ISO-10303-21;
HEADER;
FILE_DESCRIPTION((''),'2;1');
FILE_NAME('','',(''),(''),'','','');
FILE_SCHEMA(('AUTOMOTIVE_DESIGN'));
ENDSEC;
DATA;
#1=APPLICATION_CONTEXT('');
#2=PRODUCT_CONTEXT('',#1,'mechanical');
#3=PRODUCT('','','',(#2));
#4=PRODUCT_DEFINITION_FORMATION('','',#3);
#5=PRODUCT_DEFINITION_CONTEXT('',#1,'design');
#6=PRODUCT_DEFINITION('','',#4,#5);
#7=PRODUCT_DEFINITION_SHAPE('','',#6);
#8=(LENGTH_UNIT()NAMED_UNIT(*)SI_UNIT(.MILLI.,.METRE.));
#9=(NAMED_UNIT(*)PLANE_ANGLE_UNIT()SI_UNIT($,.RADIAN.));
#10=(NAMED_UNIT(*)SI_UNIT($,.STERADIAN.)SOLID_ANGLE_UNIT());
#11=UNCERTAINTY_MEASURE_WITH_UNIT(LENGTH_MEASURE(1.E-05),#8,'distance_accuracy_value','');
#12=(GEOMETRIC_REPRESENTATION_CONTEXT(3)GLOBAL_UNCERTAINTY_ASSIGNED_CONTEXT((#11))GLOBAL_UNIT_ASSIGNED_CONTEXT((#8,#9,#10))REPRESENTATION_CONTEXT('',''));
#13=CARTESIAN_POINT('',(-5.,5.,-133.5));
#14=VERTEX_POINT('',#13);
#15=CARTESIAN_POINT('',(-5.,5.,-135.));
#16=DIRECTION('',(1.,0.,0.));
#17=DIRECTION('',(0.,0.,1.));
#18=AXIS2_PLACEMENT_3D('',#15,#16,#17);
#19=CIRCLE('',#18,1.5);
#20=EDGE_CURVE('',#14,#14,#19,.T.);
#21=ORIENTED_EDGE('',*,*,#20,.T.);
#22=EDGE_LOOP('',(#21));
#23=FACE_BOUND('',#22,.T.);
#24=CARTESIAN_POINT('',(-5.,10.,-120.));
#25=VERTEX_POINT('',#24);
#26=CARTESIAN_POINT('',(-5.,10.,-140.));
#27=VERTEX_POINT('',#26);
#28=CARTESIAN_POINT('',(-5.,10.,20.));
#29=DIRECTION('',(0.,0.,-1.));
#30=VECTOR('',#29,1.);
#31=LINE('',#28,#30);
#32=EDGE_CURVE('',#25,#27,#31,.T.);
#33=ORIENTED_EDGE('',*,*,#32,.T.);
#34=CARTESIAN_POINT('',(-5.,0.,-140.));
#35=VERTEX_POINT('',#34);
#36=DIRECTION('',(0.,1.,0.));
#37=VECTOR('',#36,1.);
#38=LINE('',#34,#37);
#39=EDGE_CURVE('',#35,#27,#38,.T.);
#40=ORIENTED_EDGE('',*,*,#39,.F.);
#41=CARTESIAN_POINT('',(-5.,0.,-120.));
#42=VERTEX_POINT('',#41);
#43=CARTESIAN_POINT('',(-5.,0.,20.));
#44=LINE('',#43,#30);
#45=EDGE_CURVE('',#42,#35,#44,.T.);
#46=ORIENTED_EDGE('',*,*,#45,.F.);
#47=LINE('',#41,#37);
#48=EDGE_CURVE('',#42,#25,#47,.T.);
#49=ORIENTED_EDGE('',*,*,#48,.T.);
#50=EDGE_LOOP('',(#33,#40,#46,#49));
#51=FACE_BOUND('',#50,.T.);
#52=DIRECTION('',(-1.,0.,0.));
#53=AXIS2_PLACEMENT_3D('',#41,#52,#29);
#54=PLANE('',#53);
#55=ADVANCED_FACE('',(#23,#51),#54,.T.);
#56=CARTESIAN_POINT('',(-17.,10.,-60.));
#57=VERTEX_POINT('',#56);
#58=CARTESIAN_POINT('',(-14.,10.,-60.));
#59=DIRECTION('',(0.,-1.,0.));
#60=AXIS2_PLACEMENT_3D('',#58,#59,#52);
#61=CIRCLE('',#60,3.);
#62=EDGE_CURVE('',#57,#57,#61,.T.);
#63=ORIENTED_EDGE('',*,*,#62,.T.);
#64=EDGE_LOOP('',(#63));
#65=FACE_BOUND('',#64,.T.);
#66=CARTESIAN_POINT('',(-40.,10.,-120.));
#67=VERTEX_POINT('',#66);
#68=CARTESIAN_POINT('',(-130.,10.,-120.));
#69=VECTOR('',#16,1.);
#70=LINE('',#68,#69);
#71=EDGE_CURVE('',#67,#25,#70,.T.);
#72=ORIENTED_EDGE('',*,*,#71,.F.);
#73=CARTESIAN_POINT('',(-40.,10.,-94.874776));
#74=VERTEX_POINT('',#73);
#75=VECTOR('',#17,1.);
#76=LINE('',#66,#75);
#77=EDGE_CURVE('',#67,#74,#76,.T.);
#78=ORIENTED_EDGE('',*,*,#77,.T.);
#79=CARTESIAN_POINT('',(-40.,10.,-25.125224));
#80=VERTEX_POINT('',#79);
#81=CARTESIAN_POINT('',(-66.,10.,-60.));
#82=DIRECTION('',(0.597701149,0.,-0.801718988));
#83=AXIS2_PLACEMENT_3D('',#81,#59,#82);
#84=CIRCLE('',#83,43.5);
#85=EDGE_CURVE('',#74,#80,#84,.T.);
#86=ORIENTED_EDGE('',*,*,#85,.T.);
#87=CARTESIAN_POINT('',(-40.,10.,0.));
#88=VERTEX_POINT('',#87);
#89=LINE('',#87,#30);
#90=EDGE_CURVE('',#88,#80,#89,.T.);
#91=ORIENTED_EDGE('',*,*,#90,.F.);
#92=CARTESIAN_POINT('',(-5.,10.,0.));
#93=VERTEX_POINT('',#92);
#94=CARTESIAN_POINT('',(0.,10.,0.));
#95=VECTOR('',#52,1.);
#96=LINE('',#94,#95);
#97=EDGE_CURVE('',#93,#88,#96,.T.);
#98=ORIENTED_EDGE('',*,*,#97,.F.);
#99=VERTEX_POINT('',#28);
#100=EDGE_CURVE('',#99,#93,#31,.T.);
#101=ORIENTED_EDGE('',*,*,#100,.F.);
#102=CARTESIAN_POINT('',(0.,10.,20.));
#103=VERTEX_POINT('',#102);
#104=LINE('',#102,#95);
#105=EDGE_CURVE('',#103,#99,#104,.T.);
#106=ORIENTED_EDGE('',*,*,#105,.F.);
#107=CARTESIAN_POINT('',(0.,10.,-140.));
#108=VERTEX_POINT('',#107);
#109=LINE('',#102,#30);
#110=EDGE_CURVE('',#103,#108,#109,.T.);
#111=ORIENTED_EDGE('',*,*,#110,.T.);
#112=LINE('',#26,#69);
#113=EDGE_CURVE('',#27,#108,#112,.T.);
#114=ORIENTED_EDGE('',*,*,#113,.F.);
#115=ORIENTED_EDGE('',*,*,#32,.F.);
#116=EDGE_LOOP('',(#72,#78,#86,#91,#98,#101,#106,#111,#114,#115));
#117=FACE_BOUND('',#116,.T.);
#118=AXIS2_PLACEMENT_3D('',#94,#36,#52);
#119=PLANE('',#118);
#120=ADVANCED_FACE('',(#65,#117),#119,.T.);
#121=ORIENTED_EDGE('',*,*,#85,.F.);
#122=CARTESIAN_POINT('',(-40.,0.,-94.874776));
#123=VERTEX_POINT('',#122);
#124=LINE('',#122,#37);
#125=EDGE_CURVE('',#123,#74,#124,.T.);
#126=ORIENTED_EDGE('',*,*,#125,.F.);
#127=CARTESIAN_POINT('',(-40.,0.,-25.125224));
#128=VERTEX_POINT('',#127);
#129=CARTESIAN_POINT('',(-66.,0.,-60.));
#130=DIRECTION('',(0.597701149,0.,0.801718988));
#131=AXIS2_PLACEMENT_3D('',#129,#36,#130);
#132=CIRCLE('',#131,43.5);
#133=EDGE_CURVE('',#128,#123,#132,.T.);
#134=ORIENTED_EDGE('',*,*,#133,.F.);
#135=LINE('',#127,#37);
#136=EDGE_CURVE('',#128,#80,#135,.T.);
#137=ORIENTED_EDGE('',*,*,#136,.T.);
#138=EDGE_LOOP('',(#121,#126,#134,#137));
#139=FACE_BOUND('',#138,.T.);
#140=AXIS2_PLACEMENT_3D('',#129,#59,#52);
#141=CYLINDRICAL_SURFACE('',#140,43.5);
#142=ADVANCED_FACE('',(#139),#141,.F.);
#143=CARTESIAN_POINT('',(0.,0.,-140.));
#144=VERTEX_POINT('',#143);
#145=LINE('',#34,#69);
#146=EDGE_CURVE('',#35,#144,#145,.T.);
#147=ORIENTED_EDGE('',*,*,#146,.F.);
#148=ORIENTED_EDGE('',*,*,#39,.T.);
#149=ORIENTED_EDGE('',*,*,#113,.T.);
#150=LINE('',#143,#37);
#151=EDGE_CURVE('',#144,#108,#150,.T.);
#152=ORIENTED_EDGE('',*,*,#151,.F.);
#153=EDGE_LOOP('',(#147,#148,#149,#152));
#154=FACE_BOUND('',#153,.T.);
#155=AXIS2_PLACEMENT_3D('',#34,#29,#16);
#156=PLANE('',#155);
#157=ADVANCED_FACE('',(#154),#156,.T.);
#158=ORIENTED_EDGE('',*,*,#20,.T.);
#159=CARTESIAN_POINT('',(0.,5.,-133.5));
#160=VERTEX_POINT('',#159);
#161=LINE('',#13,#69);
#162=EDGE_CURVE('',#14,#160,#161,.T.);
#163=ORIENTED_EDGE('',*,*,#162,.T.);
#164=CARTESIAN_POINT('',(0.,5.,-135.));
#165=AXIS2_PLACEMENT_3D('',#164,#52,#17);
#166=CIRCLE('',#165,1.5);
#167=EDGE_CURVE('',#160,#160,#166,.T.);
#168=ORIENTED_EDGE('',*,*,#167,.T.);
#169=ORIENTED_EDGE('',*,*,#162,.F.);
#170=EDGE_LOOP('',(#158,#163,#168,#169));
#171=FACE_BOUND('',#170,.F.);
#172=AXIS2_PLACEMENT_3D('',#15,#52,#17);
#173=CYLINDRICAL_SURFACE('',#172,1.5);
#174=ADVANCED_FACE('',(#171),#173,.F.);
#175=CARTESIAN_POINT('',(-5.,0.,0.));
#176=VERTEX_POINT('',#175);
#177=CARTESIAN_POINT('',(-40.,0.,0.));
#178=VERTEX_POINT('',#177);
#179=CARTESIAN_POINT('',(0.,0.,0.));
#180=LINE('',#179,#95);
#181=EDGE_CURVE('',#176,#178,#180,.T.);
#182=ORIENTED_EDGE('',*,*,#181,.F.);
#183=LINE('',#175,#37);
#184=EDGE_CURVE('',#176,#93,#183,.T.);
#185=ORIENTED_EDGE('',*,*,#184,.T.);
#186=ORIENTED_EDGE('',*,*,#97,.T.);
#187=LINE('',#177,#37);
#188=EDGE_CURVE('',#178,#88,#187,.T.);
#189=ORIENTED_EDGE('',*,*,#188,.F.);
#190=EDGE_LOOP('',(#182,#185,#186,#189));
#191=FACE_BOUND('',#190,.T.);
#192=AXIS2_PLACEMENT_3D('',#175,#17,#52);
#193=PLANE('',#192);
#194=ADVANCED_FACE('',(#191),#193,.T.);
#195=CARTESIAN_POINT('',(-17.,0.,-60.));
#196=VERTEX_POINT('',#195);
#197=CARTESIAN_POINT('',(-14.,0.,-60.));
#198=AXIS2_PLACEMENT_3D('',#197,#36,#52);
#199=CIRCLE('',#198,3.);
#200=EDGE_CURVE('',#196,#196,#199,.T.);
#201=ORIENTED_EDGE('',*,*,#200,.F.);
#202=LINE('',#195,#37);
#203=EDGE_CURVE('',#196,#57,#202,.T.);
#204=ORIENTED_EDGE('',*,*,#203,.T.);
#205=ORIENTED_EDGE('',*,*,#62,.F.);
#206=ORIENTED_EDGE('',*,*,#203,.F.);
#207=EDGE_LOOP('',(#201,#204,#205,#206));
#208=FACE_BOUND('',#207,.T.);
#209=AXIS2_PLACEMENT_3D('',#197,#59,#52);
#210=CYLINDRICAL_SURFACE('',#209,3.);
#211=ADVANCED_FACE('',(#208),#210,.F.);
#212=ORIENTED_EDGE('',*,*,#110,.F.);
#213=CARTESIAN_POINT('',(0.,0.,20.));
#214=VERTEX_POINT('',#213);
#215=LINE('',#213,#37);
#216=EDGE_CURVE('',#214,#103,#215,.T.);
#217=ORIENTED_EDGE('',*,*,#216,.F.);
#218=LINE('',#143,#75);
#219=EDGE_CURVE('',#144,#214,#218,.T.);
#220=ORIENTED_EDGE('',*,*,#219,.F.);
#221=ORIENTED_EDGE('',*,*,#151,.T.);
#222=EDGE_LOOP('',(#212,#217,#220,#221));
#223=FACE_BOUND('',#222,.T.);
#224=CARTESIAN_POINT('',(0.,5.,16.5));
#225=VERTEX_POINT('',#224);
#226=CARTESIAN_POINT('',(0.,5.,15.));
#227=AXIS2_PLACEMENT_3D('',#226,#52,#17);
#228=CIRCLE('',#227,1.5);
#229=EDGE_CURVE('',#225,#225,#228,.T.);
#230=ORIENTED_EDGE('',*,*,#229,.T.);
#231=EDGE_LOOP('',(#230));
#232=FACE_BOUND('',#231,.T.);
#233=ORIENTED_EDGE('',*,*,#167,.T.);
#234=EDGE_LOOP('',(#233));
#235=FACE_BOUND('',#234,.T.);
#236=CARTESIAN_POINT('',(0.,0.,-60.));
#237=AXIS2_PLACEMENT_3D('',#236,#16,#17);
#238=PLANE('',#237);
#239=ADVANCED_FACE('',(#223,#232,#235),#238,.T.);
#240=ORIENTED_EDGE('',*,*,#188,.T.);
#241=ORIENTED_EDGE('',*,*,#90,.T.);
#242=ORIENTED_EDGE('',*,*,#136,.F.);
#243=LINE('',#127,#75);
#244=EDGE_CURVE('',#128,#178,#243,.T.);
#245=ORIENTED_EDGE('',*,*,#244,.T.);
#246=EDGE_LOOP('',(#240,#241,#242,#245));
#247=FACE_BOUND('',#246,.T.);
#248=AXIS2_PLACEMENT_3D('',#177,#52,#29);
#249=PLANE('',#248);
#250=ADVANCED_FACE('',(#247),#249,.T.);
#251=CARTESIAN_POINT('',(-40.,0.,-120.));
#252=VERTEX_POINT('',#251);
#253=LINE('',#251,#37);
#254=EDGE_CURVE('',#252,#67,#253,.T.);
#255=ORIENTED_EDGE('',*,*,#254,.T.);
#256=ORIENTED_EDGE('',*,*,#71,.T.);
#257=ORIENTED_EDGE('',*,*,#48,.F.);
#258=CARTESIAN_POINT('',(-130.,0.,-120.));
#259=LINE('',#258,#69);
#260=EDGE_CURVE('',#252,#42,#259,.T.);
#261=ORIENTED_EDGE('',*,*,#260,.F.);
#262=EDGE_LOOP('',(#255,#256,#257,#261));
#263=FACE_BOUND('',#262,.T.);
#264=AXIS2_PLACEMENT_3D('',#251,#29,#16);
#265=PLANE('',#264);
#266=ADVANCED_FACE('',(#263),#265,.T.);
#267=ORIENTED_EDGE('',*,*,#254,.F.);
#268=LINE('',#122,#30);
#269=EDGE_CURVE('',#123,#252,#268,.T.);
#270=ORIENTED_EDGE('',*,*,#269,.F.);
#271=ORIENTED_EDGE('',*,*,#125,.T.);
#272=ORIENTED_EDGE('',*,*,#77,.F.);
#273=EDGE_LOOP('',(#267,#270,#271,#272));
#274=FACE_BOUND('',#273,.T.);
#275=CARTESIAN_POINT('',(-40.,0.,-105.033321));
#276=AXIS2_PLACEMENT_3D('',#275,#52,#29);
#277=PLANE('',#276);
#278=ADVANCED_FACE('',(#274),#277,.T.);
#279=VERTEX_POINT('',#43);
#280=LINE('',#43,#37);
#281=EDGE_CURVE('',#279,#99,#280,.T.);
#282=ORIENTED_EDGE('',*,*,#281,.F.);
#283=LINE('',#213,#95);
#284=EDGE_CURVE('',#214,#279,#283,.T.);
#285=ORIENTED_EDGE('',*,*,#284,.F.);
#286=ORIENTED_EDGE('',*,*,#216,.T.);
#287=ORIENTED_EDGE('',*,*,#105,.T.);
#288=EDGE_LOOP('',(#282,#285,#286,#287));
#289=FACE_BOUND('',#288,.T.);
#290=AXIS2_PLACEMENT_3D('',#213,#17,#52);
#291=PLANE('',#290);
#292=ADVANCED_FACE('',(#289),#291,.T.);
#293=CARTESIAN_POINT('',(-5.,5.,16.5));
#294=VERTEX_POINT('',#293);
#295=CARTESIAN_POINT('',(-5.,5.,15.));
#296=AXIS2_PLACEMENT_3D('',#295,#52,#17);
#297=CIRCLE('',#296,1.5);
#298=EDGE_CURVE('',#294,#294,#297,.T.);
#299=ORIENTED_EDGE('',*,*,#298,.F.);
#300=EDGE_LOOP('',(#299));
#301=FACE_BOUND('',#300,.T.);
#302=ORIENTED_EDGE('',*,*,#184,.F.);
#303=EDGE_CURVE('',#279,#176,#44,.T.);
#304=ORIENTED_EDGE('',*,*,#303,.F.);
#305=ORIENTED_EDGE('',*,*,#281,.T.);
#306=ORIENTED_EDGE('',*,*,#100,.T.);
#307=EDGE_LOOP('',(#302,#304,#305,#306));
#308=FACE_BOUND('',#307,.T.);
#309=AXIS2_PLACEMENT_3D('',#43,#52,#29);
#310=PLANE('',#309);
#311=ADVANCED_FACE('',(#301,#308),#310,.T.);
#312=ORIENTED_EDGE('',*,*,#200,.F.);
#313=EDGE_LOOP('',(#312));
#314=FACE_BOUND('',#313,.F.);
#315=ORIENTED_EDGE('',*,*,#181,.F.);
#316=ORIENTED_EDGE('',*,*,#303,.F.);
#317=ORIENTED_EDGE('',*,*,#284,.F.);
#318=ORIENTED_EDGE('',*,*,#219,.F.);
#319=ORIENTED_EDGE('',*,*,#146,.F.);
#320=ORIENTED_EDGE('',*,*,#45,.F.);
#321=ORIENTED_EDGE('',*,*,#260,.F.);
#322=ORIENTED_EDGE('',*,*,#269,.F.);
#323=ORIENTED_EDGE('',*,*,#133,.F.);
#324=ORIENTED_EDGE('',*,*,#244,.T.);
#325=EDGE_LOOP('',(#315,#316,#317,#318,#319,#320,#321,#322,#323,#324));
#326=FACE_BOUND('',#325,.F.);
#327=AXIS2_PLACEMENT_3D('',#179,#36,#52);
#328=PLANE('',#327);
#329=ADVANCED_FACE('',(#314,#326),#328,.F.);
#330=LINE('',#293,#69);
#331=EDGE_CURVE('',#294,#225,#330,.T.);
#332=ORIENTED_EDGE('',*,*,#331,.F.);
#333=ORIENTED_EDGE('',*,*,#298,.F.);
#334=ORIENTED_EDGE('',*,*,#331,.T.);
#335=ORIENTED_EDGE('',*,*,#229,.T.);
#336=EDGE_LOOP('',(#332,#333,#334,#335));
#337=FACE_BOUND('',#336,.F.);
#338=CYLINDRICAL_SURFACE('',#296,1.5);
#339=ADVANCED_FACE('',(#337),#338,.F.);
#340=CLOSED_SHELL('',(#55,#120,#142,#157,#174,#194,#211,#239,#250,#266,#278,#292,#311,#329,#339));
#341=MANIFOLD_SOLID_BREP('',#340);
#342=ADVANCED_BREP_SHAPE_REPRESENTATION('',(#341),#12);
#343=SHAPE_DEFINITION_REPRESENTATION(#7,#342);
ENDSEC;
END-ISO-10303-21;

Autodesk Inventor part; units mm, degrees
ref_plane "YZ Plane" through (0, 0, 0) normal (1, 0, 0) x (0, 1, 0)
ref_plane "XZ Plane" through (0, 0, 0) normal (0, 1, 0) x (-1, 0, 0)
ref_plane "XY Plane" through (0, 0, 0) normal (0, 0, 1) x (1, 0, 0)
sketch "Эскиз1" plane through (0, 0, 0) normal (0, 1, 0) x (-1, 0, 0)
  line L0 (0, 0) -> (130, 0)
  line L1 (130, 0) -> (130, -120)
  line L2 (130, -120) -> (0, -120)
  line L3 (0, -120) -> (0, 0)
  line L4 (0, -60) -> (66, -60)
  circle A0 centre (66, -60) radius 43.5
  line L5 (130, 0) -> (90, 0)
  line L6 (90, -120) -> (130, -120)
  line L7 (130, -120) -> (130, 0)
  line L8 (0, 0) -> (40, 0)
  line L9 (40, 0) -> (40, -120)
  line L10 (40, -120) -> (0, -120)
  line L11 (0, -120) -> (0, 0)
  line L12 (0, 0) -> (0, 20)
  line L13 (0, 20) -> (5, 20)
  line L14 (5, 20) -> (5, -140)
  line L15 (5, -140) -> (0, -140)
  line L16 (0, -140) -> (0, -120)
  circle A1 centre (66, -60) radius 52
  circle A2 centre (14, -60) radius 3
  point P0 (40, -25.1252)
  point P1 (40, -94.8748)
  point P2 (5, -120)
  point P3 (5, 0)
  dimension "d34" = 104
  dimension "d0" = 130
  dimension "d1" = 120
  dimension "d2" = 66
  dimension "d16" = 87
  dimension "d20" = 40
  dimension "d21" = 20
  dimension "d22" = 5
  dimension "d23" = 160
  dimension "d35" = 6
extrude "Выдавливание1" add sketch "Эскиз1" along normal blind 10 contours L9 A1 A2 L4 L14 L0 | L14 L4 L3 L0 | L0 L12 L13 L14 | L9 A0 L4 A2 A1 | L14 L2 L3 L4 | L4 A2 A1 L9 L2 L14 | L14 L15 L16 L2 | A0 L9 A1 A2 L4
sketch "Эскиз2" plane through (-5, 0, 0) normal (-1, 0, 0) x (0, 0, 1)
  line L0 (20, 0) -> (20, 10) projected
  line L1 (20, 5) -> (15, 5)
  line L2 (-140, 0) -> (-140, 10) projected
  line L3 (-140, 5) -> (-135, 5)
  circle A0 centre (15, 5) radius 1.5
  circle A1 centre (-135, 5) radius 1.5
  point P0 (0, 0)
  dimension "d24" = 5
  dimension "d25" = 5
  dimension "d26" = 3
  dimension "d27" = 3
extrude "Выдавливание2" cut sketch "Эскиз2" against normal blind 19.5
thread "Резьба1" size "M3x0.5" class "6H" standard "ANSI Metric M Profile" full length
thread "Резьба2" size "M3x0.5" class "6H" standard "ANSI Metric M Profile" full length
properties part number "17701729.301318.016"
